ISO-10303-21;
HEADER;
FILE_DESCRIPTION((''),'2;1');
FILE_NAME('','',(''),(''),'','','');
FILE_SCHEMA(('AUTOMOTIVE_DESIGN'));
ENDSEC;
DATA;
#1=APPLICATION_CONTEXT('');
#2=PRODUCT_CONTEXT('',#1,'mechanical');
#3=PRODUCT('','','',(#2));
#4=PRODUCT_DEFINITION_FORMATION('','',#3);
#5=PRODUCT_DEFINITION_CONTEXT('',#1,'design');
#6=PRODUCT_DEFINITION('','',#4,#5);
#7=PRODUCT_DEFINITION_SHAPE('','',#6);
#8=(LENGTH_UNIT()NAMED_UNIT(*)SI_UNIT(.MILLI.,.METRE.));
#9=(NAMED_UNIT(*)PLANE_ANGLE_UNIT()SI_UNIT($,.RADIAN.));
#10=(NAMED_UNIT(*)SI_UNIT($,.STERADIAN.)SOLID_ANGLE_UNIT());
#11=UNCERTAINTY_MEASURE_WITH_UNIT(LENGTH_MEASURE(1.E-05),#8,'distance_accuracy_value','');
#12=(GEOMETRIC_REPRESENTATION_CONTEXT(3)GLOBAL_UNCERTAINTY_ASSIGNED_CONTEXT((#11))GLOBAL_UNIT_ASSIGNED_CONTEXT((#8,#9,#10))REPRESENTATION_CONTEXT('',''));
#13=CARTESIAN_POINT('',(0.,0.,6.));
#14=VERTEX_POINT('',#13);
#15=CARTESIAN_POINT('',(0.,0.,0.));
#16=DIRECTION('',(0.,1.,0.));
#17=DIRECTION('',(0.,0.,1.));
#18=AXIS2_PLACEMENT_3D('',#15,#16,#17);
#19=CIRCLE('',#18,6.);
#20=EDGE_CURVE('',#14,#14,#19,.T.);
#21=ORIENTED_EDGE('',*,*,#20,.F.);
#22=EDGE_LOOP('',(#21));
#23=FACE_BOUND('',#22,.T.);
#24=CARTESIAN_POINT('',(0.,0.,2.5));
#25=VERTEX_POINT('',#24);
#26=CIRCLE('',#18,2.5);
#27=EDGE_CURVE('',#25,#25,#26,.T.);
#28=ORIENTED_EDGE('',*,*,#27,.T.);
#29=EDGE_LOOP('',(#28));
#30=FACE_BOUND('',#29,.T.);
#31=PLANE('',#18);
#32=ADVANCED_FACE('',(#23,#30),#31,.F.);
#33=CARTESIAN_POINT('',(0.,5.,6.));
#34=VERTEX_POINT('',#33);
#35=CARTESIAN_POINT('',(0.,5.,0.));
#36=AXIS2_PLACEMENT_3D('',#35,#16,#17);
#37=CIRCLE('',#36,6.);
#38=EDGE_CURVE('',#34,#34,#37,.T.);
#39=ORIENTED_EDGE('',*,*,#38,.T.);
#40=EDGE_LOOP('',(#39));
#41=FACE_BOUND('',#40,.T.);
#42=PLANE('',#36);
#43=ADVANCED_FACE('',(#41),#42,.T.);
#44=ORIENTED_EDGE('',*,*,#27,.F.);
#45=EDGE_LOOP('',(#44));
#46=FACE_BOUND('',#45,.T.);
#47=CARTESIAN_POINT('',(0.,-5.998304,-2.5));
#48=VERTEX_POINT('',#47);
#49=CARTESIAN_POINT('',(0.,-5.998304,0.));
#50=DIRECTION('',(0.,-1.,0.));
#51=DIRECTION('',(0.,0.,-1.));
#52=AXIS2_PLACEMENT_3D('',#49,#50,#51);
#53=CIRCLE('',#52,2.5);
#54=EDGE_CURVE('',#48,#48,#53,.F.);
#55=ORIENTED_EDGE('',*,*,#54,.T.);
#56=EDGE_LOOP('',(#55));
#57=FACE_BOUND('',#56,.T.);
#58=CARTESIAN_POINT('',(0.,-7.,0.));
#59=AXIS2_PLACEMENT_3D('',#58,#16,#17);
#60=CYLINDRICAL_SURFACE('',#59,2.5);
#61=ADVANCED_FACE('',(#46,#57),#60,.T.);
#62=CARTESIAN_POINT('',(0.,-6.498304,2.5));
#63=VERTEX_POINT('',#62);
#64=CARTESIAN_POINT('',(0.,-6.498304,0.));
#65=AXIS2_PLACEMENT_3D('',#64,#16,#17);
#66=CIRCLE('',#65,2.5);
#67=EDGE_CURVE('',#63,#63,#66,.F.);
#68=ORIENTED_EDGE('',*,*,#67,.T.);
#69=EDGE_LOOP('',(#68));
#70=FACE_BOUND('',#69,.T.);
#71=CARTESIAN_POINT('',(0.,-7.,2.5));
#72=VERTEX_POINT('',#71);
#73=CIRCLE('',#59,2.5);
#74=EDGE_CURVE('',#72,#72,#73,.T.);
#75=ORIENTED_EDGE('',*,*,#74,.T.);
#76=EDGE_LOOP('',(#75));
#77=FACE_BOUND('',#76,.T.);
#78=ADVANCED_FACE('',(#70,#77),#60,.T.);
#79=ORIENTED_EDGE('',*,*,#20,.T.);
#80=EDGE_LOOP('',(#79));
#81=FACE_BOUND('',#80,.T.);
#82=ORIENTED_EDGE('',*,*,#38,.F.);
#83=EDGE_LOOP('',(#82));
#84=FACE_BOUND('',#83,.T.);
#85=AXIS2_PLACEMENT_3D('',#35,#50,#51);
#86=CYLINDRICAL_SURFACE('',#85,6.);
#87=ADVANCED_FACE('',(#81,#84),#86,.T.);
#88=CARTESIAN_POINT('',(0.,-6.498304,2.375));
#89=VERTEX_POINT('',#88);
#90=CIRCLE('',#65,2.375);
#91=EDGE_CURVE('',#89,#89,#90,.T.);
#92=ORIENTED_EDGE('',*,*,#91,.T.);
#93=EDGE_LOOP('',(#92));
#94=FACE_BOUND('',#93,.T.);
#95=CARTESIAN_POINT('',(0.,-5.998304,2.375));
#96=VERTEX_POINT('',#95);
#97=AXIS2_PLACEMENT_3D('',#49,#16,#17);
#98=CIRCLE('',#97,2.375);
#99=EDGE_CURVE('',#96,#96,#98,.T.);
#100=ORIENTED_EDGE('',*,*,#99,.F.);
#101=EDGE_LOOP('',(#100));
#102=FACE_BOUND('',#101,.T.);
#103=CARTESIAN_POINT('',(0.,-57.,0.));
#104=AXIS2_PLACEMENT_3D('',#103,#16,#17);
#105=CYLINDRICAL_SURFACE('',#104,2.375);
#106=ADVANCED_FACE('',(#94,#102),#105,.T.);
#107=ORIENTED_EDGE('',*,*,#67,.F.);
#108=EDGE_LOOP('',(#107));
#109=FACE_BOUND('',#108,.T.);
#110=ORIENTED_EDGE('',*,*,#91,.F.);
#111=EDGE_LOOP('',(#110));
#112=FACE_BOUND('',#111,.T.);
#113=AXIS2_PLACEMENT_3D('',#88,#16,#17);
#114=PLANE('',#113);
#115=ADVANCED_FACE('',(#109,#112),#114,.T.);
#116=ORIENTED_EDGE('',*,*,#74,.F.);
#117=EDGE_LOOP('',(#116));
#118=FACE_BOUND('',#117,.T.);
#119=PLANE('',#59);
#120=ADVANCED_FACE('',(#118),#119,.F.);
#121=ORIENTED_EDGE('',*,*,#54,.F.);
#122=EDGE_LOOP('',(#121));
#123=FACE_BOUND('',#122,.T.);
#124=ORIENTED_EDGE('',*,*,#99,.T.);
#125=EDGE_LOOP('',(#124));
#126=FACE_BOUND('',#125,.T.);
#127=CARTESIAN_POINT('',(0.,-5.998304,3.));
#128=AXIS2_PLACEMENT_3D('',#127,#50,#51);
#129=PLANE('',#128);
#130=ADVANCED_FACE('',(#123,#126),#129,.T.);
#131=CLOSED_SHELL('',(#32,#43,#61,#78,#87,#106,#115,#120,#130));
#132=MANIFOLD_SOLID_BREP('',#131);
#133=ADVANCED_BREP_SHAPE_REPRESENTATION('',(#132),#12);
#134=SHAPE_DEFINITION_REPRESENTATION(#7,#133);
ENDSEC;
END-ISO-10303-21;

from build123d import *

# Parameters (mm, degrees)
SKETCH1_R           = 6
BOSS_EXTRUDE1_DEPTH = 5
SKETCH2_R           = 2.5
BOSS_EXTRUDE2_DEPTH = 12
SKETCH4_W           = 0.625
SKETCH4_H           = 0.5


with BuildPart() as part:
    # Sketch1 → Boss-Extrude1 (new body)
    with BuildSketch(Plane(origin=(0, 0, 0), x_dir=(1, 0, 0), z_dir=(0, 1, 0))):
        with Locations(Location((0, 0, 0), (0, 0, 270))):
            Circle(SKETCH1_R)
    extrude(amount=BOSS_EXTRUDE1_DEPTH)

    # Sketch2 → Boss-Extrude2 (add)
    with BuildSketch(Plane(origin=(0, 5, 0), x_dir=(-1, 0, 0), z_dir=(0, 1, 0))):
        with Locations(Location((0, 0, 0), (0, 0, 90))):
            Circle(SKETCH2_R)
    extrude(amount=-BOSS_EXTRUDE2_DEPTH)

    # Sketch4 → Groove for ANSI B27.7 - 3AM1-5, Basic External Retaining Ring1 (revolve, cut)
    with BuildSketch(Plane(origin=(0, -7, 0), x_dir=(0, 0, 1), z_dir=(-1, 0, 0))):
        with Locations((2.6875, 0.751696416)):
            Rectangle(SKETCH4_W, SKETCH4_H)
    revolve(axis=Axis((0, -57, 0), (0, 1, 0)), mode=Mode.SUBTRACT)


solid = part.part
